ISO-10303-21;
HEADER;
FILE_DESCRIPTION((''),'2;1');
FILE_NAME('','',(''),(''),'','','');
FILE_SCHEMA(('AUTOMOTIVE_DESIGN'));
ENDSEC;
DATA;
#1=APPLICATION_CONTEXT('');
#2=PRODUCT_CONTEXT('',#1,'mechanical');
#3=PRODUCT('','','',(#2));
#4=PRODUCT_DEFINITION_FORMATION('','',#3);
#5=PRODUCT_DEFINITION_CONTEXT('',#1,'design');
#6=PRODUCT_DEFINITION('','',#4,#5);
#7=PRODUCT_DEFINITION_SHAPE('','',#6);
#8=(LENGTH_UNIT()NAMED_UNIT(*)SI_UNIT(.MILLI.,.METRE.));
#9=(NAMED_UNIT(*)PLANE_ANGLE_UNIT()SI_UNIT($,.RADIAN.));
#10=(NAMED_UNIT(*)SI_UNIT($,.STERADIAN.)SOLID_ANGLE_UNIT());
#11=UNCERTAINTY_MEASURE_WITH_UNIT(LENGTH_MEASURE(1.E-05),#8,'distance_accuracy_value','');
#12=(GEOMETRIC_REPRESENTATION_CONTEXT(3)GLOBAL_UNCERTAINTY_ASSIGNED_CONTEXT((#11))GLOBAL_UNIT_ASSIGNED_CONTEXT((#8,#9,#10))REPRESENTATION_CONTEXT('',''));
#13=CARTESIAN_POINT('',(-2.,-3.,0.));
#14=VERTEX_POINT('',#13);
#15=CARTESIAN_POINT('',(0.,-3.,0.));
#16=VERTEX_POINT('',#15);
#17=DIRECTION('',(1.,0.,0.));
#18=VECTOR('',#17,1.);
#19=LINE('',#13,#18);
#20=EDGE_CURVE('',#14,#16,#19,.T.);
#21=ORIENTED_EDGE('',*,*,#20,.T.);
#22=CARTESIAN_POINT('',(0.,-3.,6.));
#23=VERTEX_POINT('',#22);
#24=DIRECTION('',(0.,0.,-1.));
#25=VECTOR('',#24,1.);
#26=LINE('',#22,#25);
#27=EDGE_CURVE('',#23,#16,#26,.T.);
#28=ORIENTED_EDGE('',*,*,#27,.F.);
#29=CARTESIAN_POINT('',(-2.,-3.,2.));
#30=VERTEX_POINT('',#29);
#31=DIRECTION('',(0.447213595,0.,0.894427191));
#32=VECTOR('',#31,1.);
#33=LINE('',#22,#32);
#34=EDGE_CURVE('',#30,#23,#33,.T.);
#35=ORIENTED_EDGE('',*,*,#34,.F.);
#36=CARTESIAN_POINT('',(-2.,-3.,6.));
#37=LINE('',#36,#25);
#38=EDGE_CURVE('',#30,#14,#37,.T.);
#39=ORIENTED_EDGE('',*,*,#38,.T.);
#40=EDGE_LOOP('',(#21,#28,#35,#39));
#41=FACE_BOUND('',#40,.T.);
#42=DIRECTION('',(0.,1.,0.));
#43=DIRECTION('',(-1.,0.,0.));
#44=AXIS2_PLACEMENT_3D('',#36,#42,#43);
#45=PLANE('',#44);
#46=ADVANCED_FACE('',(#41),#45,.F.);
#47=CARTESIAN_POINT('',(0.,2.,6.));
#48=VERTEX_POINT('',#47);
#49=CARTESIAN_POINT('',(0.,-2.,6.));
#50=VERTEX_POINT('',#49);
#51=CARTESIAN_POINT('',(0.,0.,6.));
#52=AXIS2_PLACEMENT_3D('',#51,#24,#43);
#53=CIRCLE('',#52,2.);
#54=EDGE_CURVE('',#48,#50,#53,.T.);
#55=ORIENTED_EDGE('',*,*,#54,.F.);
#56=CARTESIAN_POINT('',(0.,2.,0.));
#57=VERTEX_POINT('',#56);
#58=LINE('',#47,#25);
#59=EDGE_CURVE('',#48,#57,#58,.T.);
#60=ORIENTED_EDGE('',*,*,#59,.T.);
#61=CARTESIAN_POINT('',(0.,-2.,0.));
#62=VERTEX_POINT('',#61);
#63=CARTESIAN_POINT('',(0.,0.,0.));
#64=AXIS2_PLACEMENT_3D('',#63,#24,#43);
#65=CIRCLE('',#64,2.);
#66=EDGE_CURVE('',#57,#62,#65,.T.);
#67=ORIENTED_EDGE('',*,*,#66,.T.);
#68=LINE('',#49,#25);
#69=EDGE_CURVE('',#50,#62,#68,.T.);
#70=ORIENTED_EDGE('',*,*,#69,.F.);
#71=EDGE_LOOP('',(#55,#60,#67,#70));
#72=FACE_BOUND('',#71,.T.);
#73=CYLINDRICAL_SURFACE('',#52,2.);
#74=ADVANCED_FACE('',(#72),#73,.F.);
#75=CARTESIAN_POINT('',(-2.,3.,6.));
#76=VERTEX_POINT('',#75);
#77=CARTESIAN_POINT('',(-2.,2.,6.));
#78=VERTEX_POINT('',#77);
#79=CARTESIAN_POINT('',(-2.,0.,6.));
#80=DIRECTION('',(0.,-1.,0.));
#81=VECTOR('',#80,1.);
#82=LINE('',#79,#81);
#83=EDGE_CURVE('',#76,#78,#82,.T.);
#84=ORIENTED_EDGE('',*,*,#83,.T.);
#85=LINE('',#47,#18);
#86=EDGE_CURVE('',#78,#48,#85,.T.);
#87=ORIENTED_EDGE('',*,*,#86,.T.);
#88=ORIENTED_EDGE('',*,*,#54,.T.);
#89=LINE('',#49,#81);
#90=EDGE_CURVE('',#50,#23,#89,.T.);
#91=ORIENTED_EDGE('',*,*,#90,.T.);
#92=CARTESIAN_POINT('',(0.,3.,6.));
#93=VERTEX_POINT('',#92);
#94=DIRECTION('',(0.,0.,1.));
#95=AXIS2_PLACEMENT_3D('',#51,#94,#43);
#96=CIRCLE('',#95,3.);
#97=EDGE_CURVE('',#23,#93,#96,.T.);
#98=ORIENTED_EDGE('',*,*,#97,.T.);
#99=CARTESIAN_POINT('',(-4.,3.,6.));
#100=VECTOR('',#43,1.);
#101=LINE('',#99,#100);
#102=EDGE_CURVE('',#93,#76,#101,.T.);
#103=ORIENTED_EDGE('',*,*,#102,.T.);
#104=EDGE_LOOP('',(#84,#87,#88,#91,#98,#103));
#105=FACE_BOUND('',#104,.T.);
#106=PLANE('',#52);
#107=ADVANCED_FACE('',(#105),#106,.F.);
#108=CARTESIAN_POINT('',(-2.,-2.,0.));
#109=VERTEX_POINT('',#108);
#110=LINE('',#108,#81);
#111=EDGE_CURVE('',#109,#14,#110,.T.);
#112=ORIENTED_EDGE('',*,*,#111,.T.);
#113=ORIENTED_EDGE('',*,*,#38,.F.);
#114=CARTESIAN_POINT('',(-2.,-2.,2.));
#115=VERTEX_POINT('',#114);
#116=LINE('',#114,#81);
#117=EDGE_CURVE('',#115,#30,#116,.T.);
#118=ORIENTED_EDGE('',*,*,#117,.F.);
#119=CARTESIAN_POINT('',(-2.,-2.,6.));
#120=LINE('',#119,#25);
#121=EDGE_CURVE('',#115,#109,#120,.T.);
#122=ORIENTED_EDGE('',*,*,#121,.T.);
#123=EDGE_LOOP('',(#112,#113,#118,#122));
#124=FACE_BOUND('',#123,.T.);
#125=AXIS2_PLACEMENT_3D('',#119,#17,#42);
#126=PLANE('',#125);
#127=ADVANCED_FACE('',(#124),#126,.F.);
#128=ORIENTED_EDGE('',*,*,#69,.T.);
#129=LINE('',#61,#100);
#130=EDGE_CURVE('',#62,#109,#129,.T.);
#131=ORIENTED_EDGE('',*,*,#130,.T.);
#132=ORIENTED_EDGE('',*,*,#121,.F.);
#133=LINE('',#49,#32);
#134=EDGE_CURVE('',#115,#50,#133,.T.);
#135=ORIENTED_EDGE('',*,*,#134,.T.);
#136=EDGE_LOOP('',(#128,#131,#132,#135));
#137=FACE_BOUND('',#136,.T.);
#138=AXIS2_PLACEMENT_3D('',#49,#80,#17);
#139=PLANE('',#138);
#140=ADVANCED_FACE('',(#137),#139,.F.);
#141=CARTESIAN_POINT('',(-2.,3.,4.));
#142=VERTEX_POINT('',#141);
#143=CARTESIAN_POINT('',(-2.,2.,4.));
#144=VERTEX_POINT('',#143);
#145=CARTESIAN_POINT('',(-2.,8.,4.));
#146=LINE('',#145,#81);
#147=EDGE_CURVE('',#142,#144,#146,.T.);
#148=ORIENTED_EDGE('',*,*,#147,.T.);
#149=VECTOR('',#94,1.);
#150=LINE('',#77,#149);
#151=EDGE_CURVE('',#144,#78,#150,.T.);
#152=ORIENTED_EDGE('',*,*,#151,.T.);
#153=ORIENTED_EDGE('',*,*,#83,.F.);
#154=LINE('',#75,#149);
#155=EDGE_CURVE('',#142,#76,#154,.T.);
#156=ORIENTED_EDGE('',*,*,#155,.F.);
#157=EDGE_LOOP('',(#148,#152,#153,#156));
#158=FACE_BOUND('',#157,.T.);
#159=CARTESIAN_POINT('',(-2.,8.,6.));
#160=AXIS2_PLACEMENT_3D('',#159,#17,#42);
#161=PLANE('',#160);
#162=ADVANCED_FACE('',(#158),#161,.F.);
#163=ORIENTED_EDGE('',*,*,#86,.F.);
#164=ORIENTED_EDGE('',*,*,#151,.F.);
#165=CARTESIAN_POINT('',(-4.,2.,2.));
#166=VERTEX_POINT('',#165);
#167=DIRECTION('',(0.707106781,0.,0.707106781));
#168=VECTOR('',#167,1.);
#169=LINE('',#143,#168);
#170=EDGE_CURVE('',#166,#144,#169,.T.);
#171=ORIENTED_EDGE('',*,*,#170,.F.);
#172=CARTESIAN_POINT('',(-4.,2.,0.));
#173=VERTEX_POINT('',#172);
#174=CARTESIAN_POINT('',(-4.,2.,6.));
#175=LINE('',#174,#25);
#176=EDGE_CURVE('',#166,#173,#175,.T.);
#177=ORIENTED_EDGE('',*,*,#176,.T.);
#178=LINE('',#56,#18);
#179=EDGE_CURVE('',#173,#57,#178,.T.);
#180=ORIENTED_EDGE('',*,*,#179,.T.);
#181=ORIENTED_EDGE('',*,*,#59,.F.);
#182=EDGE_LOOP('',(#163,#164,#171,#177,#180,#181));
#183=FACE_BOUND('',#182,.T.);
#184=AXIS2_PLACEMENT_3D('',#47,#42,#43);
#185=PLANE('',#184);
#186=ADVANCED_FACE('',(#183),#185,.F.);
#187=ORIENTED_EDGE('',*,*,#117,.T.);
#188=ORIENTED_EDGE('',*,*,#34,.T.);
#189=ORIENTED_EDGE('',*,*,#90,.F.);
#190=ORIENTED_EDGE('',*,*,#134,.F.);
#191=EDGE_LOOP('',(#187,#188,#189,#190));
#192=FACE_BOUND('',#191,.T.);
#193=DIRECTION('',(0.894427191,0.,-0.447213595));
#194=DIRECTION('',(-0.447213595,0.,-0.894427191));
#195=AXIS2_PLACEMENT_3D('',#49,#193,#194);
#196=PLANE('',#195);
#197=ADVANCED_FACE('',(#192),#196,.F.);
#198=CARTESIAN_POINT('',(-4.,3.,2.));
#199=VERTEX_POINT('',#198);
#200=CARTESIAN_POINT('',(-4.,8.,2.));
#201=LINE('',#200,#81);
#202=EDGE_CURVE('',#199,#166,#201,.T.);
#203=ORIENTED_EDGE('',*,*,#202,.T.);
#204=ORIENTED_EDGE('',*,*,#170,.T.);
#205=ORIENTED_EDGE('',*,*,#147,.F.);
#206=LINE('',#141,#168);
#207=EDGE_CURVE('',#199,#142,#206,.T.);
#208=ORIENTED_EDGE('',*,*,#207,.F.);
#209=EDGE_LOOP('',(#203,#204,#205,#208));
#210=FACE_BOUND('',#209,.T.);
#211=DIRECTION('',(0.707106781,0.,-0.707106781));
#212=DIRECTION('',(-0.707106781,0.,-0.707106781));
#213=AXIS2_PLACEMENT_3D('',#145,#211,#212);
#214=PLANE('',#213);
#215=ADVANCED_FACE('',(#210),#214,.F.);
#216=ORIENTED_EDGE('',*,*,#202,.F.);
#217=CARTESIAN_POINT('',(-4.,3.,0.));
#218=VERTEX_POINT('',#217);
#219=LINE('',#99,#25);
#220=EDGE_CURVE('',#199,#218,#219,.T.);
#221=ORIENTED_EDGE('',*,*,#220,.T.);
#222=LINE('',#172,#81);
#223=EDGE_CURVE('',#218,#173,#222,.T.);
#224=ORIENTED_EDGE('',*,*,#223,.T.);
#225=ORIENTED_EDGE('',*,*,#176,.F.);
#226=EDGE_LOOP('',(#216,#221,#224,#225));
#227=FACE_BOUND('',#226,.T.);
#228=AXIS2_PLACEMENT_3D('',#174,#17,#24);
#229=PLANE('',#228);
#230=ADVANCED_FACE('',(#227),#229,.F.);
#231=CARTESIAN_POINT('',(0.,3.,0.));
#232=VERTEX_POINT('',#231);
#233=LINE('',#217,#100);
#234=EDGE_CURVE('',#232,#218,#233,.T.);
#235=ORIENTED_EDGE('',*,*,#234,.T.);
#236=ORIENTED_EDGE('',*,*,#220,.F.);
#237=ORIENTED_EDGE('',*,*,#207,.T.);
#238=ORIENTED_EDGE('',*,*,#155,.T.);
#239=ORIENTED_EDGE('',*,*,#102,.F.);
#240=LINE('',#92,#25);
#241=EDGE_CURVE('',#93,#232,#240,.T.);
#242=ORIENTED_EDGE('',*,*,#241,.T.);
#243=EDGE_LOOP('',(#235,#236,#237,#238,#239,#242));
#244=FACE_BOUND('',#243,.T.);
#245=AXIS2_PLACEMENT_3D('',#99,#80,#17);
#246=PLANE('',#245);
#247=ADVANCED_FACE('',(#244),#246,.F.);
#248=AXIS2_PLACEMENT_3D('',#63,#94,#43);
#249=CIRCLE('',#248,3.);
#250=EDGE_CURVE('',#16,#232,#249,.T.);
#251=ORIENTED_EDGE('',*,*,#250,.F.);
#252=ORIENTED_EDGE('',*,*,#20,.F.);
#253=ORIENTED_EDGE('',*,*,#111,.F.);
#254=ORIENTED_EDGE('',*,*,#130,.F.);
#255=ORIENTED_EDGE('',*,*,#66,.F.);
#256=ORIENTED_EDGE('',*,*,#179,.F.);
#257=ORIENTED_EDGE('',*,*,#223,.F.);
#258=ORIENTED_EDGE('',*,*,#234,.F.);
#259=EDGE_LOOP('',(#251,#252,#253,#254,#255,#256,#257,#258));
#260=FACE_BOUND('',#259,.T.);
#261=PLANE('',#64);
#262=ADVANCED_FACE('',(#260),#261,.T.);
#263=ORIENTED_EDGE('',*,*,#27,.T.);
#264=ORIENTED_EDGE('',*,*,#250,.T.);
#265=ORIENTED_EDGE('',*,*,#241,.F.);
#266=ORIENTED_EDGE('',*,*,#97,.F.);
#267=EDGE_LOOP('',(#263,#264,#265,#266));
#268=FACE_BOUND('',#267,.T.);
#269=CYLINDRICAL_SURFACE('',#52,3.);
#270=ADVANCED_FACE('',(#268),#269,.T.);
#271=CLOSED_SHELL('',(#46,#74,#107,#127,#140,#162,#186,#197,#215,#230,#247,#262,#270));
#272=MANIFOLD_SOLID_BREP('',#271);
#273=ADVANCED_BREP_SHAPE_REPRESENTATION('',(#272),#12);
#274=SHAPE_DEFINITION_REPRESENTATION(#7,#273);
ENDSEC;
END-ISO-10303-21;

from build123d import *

# Parameters (mm, degrees)
BOSS_EXTRUDE1_DEPTH = 6
CUT_EXTRUDE1_DEPTH  = 6
CUT_EXTRUDE2_DEPTH  = 1


with BuildPart() as part:
    # Sketch2 → Boss-Extrude1 (new body)
    with BuildSketch(Plane.XY):
        with BuildLine():
            Line((0, 2), (-4, 2))
            Line((-4, 2), (-4, 3))
            Line((-4, 3), (0, 3))
            ThreePointArc((0, 3), (3, 0), (0, -3))
            Line((0, -3), (-2, -3))
            Line((-2, -3), (-2, -2))
            Line((-2, -2), (0, -2))
            ThreePointArc((0, -2), (2, 0), (0, 2))
        make_face()
    extrude(amount=BOSS_EXTRUDE1_DEPTH)

    # Sketch3 → Cut-Extrude1 (cut)
    with BuildSketch(Plane.XZ.offset(-2)):
        Polygon((-2, 6), (-2, 4), (-4, 2), (-4, 6), align=None)
    extrude(amount=-CUT_EXTRUDE1_DEPTH, mode=Mode.SUBTRACT)

    # Sketch4 → Cut-Extrude2 (cut)
    with BuildSketch(Plane.XZ.offset(3)):
        Polygon((0, 6), (-2, 2), (-2, 6), align=None)
    extrude(amount=-CUT_EXTRUDE2_DEPTH, mode=Mode.SUBTRACT)


solid = part.part
